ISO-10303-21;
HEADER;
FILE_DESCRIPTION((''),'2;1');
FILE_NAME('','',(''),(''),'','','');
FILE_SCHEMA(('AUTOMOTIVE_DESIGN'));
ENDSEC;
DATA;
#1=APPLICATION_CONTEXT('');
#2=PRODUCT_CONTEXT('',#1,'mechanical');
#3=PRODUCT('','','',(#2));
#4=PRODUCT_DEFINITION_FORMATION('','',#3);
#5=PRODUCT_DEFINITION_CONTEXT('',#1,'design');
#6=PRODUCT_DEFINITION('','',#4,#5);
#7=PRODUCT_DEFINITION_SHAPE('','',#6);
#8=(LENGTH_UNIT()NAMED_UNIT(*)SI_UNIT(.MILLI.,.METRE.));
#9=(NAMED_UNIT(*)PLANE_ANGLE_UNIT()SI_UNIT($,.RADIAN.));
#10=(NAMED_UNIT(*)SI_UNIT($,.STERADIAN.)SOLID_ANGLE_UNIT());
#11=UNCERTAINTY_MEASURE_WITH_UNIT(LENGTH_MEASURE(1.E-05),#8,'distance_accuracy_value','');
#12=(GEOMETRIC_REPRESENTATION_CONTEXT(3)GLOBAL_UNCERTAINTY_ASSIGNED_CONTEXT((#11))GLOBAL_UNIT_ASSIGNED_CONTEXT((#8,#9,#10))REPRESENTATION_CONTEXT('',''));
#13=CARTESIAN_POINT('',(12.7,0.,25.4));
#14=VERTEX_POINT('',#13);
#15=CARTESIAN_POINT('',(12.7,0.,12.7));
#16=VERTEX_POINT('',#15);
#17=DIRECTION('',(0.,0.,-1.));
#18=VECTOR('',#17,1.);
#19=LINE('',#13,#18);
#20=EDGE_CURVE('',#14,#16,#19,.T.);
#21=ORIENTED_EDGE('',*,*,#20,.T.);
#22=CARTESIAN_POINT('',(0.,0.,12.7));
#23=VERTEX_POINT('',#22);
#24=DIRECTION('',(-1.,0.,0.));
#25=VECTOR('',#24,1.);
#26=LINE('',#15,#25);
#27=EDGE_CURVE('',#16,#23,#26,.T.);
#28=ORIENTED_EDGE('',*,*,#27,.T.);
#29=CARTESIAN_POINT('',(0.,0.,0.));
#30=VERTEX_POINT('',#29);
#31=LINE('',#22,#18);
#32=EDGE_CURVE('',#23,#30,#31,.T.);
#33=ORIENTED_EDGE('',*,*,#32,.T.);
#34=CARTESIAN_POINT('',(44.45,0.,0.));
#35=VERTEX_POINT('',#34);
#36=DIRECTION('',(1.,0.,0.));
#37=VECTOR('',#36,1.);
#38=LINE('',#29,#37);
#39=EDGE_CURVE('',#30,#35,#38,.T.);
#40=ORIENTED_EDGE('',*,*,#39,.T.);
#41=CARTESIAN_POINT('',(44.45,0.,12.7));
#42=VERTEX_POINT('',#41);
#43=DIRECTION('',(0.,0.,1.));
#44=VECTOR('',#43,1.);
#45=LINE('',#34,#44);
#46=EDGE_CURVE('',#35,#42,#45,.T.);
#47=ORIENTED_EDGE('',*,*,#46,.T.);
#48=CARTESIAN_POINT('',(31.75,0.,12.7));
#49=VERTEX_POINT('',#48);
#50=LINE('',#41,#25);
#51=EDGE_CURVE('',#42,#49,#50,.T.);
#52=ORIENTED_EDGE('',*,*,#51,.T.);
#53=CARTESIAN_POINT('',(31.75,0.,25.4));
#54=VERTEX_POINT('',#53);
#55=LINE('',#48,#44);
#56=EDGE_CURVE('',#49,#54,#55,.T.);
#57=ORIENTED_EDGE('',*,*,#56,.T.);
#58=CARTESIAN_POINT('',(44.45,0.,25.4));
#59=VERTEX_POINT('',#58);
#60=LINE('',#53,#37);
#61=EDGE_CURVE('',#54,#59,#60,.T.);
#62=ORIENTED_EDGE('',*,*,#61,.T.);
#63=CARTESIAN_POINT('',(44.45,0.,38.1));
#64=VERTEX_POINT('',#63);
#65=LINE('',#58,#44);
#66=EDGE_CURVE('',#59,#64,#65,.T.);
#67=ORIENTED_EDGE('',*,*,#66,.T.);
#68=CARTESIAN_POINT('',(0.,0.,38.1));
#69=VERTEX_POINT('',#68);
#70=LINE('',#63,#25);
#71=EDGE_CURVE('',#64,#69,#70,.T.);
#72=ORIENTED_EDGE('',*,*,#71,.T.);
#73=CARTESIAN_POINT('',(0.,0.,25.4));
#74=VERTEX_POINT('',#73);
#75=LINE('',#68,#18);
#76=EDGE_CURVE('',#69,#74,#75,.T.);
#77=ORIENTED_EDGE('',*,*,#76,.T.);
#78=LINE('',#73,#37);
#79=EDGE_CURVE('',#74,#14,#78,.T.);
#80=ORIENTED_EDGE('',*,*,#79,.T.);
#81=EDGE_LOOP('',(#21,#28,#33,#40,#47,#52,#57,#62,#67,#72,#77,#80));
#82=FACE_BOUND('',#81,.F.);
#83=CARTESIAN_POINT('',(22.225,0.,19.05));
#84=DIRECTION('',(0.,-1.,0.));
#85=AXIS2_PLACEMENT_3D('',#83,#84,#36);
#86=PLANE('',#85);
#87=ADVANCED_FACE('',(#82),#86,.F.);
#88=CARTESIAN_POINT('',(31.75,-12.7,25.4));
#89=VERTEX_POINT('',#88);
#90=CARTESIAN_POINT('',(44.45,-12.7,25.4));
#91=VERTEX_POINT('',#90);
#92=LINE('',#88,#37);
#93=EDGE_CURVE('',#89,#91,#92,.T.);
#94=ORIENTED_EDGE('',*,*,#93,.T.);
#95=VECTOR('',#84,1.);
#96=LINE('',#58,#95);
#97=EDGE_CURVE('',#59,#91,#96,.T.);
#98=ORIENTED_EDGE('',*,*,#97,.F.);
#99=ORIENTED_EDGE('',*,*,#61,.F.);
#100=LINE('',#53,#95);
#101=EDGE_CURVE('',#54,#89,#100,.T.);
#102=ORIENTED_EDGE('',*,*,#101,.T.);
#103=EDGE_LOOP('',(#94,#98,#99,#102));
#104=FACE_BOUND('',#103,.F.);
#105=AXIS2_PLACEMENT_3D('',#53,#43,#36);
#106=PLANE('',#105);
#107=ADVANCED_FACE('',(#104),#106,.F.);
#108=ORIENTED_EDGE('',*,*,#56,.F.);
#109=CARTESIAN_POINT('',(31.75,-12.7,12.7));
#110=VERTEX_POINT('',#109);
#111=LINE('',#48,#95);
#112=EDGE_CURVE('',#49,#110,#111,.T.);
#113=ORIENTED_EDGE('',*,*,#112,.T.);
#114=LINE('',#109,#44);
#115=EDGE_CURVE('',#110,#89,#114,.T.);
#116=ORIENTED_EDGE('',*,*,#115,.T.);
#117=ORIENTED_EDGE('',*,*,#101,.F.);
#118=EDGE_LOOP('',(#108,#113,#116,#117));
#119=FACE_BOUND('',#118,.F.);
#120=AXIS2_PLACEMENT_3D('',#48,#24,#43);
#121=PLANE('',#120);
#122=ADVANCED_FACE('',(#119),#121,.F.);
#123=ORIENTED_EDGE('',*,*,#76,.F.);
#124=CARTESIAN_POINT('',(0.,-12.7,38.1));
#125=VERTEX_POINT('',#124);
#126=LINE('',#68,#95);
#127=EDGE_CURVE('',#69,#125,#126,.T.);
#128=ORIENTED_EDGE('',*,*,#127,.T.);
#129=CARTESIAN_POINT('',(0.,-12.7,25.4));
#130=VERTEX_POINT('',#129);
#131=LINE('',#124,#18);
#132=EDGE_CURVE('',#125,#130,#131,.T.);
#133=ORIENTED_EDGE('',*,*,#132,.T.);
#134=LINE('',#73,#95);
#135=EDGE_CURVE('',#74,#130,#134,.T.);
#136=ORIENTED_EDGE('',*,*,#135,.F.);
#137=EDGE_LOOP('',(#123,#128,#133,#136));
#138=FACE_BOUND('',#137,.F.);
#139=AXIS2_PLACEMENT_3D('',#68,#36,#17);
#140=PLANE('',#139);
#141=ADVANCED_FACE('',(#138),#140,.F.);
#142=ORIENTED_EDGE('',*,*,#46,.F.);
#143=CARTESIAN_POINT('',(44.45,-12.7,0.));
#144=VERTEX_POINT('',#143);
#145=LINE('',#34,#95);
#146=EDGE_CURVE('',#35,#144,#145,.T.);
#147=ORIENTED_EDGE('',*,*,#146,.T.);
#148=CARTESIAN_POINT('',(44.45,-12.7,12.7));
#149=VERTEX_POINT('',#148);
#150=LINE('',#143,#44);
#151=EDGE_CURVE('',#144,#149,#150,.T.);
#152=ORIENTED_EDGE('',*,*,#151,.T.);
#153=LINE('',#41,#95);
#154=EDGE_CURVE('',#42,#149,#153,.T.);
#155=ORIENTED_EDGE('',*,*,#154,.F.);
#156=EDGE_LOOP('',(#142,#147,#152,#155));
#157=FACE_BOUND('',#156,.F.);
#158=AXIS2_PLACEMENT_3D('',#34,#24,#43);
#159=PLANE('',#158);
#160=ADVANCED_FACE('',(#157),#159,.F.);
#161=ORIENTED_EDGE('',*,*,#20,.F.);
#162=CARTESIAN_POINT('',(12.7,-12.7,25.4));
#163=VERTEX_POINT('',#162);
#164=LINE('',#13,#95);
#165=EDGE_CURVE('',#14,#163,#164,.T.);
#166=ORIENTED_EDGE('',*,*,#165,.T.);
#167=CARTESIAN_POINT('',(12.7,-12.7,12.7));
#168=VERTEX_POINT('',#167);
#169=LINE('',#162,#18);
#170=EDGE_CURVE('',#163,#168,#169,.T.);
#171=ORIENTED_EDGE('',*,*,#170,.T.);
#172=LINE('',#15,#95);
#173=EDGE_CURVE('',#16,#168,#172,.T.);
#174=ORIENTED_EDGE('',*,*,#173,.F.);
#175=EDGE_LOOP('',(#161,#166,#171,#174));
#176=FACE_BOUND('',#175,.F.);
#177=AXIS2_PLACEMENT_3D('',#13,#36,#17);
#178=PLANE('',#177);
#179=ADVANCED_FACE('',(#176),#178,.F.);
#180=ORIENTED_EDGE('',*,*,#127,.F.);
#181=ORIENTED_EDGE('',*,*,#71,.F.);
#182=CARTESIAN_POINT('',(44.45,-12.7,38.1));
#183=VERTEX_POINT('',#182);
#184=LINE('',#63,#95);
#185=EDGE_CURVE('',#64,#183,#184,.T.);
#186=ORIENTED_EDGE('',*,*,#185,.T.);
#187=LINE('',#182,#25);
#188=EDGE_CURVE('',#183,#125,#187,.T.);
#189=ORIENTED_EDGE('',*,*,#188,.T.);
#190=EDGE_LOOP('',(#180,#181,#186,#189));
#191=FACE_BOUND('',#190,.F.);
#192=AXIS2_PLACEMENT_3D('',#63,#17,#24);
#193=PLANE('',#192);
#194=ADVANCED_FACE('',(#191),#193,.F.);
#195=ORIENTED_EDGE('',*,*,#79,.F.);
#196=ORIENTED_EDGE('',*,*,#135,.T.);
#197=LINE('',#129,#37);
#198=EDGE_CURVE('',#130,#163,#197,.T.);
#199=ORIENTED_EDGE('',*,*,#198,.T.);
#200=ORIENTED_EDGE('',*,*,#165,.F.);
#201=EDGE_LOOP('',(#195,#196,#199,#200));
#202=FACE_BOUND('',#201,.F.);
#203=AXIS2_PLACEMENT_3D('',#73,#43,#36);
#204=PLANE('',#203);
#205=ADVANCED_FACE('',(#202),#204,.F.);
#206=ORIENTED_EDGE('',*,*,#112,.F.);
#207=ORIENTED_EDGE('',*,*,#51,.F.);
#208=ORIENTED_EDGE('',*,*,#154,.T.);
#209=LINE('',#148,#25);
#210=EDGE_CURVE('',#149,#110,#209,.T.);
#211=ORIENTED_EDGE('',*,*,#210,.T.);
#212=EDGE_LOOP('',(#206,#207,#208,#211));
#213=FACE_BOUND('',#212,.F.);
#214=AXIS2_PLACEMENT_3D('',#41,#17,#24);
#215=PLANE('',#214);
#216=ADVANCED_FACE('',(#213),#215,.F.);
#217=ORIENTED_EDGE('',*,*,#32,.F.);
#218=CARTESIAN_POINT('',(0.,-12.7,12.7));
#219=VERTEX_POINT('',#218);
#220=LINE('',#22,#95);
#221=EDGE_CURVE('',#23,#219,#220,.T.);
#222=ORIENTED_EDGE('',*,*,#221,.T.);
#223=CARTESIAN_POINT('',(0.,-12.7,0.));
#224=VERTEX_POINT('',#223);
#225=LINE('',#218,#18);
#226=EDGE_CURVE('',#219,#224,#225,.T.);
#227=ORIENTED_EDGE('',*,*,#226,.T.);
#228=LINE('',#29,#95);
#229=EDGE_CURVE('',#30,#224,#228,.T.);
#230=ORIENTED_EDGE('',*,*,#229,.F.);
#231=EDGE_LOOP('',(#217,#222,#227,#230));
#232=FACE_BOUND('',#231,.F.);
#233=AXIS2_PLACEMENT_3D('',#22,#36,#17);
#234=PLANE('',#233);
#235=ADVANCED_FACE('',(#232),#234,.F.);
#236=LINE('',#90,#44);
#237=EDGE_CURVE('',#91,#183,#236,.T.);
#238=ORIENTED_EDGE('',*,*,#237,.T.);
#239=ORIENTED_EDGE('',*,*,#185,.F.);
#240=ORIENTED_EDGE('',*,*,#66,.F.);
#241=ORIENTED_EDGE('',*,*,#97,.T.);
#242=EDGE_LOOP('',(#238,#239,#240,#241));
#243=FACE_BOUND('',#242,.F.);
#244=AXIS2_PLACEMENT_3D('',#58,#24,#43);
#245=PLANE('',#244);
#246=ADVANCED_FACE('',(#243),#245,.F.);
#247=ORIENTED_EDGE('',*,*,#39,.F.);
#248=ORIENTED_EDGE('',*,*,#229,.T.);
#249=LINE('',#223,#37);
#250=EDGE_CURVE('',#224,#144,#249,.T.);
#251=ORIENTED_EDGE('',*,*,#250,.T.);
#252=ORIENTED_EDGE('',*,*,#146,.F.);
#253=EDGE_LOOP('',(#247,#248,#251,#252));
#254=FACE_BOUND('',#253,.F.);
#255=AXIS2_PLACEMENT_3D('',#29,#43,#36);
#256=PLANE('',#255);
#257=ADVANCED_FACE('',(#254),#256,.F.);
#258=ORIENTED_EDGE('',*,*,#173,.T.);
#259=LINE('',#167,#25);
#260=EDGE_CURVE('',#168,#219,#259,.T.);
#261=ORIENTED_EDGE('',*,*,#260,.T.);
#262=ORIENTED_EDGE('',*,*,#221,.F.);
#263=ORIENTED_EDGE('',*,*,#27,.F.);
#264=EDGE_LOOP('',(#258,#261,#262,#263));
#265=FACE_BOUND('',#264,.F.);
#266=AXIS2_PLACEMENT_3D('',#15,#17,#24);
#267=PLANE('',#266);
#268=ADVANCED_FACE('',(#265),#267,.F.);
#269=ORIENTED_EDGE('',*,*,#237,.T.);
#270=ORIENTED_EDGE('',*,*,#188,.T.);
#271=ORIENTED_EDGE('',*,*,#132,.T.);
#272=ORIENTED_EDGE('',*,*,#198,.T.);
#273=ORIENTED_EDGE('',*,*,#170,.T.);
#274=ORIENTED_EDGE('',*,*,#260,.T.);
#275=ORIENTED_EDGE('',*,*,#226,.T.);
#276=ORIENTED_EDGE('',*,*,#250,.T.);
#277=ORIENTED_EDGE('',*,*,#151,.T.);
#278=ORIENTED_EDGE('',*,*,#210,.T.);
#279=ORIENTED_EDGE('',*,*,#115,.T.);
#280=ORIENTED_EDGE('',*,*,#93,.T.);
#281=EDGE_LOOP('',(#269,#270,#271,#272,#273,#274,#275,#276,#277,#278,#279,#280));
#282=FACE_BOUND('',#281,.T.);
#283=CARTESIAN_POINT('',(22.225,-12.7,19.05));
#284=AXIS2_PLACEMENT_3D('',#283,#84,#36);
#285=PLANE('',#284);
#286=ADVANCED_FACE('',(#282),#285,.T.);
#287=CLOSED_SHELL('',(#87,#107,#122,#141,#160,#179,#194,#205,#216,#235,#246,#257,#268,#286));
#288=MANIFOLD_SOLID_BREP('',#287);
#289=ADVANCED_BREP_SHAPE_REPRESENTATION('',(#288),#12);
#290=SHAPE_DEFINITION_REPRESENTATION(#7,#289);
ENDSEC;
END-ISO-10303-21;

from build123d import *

# Parameters (mm, degrees)
F1_DEPTH = 12.7


with BuildPart() as f1:
    # F0 (on Front) → F1 (new body)
    with BuildSketch(Plane.XZ):
        Polygon((0, 12.7), (0, 0), (44.45, 0), (44.45, 12.7), (31.75, 12.7), (31.75, 25.4), (44.45, 25.4), (44.45, 38.1), (0, 38.1), (0, 25.4), (12.7, 25.4), (12.7, 12.7), align=None)
    extrude(amount=F1_DEPTH)


solid = f1.part
